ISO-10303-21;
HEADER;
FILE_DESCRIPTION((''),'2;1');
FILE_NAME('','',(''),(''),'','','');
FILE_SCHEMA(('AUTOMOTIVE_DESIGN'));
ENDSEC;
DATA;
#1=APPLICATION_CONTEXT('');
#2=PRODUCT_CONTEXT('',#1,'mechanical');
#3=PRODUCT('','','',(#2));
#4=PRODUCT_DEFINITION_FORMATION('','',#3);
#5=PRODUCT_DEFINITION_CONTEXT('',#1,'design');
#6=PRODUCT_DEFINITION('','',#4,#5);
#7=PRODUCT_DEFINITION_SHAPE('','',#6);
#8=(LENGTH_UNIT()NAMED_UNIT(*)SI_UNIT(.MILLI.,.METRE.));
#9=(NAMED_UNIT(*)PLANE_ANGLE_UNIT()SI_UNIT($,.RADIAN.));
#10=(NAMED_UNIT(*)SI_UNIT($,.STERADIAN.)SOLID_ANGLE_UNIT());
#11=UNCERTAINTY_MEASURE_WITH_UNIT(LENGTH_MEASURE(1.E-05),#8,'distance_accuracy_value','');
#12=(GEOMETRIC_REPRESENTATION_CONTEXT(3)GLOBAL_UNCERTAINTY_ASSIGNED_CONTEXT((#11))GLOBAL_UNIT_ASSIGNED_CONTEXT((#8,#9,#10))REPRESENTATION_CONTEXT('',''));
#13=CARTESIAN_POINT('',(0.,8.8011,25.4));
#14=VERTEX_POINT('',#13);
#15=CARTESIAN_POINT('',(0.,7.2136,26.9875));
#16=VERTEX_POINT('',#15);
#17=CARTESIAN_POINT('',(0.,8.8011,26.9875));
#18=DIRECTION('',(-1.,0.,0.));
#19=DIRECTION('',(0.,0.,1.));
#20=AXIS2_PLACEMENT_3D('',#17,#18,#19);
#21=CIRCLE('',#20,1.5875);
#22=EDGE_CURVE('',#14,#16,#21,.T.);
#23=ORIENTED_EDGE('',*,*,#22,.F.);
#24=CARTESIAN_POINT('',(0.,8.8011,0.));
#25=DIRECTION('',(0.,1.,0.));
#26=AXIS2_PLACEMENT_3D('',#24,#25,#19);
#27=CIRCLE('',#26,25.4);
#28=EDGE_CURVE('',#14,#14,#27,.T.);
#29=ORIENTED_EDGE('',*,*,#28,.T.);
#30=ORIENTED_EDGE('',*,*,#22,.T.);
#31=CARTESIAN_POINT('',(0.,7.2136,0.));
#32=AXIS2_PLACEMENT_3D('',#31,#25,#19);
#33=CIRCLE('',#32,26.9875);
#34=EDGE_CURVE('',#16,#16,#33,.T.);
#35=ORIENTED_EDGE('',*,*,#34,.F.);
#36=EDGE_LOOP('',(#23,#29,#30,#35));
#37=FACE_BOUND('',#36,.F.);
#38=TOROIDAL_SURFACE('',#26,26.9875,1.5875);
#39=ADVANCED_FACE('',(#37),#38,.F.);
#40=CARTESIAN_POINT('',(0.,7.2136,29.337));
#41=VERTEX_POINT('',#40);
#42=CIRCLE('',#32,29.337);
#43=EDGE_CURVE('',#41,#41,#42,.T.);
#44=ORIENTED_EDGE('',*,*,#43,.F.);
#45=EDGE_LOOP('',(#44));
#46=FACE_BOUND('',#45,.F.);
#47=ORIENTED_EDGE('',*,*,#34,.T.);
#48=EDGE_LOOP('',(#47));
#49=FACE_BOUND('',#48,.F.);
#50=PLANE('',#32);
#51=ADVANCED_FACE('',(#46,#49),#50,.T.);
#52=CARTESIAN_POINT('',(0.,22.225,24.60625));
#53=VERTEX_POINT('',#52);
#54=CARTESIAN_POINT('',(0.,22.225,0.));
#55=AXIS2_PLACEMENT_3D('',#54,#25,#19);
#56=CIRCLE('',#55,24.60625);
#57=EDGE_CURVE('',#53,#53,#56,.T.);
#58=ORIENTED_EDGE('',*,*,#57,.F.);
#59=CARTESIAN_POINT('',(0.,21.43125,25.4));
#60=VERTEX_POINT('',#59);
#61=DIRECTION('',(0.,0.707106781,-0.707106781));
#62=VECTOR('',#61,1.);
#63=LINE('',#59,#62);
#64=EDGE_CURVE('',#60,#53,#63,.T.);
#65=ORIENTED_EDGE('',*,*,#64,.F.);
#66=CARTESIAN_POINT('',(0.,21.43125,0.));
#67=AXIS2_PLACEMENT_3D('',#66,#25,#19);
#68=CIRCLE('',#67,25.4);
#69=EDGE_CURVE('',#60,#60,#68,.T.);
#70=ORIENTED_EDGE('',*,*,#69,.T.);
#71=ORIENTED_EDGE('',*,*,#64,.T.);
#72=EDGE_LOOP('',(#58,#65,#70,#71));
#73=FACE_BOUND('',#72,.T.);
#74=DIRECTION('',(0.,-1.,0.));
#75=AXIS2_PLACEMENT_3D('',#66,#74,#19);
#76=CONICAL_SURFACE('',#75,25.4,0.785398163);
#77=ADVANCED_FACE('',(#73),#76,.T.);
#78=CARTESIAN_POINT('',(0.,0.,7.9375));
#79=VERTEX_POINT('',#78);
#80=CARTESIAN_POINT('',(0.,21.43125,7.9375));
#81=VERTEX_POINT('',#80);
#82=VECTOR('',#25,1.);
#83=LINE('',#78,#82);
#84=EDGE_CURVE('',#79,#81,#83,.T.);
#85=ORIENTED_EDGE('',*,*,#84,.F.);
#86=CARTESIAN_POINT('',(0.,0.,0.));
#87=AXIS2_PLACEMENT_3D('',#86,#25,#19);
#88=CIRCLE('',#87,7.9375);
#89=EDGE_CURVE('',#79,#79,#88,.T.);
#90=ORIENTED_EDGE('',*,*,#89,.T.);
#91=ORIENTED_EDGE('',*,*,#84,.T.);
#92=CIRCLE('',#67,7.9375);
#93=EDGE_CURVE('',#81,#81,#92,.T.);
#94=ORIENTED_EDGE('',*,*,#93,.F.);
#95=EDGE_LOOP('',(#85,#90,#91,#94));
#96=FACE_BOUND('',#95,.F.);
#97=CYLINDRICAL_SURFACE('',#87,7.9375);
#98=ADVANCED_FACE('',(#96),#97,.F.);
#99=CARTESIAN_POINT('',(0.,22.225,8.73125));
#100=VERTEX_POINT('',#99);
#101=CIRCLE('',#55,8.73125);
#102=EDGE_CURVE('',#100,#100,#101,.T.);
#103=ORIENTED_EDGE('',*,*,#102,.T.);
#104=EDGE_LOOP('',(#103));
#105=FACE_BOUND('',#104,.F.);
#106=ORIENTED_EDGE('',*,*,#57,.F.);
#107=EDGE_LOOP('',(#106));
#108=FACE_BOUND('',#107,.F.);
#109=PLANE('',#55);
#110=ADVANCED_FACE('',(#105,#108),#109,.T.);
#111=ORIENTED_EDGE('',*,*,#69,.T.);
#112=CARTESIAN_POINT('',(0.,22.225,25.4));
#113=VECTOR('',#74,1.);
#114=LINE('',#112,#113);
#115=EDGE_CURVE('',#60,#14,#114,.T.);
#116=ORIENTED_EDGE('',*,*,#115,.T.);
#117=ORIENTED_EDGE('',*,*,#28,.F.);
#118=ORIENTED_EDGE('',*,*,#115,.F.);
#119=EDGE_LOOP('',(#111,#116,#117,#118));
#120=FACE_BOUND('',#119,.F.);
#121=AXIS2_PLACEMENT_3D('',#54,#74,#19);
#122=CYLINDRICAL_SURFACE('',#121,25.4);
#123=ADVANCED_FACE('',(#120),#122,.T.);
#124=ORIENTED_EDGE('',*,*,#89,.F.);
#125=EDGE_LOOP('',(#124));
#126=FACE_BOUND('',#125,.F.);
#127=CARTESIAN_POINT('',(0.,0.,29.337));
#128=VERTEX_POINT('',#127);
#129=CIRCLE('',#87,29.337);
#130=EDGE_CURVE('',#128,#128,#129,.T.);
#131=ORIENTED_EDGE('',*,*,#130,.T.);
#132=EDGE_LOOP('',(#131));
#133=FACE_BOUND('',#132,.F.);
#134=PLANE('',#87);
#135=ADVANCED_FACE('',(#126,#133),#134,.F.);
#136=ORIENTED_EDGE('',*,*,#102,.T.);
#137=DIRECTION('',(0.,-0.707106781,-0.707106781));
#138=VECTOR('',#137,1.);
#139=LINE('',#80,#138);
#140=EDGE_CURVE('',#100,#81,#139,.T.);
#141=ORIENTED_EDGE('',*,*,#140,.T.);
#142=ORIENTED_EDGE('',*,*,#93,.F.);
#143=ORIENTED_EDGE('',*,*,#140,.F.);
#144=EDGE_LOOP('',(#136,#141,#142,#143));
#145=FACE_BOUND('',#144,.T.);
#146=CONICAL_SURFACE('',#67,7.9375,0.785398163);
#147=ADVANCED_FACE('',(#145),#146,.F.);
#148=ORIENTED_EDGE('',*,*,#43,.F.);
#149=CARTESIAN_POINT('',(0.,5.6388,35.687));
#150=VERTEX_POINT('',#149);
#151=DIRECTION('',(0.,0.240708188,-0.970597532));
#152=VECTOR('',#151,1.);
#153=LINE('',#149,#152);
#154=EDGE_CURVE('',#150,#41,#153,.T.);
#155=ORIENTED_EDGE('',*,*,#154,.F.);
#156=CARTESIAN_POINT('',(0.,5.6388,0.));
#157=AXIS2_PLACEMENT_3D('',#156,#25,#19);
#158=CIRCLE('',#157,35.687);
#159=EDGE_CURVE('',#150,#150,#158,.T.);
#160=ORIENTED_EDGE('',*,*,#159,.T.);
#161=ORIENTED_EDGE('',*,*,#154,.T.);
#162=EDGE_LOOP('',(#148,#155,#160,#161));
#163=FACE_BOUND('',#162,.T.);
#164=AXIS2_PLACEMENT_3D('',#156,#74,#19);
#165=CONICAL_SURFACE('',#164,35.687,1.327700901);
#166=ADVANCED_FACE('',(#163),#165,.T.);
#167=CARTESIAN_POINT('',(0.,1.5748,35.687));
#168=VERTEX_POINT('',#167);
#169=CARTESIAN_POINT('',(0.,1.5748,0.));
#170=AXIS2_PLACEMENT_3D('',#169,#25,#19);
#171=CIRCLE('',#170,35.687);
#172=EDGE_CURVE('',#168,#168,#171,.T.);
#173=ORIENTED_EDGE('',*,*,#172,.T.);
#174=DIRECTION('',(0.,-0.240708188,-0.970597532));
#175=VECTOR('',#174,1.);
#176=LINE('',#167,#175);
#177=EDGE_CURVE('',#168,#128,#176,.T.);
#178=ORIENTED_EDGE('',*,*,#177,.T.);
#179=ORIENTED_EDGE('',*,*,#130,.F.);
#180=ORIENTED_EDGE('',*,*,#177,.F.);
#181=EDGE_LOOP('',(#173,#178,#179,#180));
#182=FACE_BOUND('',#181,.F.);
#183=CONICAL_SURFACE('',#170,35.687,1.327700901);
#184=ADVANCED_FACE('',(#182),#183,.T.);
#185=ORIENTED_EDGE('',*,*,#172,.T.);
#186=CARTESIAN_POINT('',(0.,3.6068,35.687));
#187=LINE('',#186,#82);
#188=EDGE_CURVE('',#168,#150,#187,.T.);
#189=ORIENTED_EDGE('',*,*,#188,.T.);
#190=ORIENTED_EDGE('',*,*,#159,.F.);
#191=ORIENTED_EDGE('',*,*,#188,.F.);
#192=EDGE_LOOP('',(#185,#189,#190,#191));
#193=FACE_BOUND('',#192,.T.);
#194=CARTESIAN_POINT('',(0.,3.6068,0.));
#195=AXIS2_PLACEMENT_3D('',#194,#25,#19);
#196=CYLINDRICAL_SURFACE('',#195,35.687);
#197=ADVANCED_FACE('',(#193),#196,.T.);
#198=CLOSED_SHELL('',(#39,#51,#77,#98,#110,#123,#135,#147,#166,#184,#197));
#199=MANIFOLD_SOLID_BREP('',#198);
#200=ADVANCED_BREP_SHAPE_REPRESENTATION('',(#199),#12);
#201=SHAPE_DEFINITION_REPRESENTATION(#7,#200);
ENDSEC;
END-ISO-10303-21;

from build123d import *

# Parameters (mm, degrees)
F0_W     = 15.0114
F0_H     = 17.4625
F0_W_2   = 7.2136
F0_H_2   = 10.287
F2_R     = 1.5875
F3_SIZE  = 0.79375
F4_SIZE2 = 6.35
F4_SIZE  = 1.5748


with BuildPart() as f1:
    # F0 (on Right) → F1 (revolve)
    with BuildSketch(Plane.YZ):
        with Locations((14.7193, 16.66875)):
            Rectangle(F0_W, F0_H)
        with Locations((3.6068, 16.66875)):
            Rectangle(F0_W_2, F0_H)
        with Locations((3.6068, 30.5435)):
            Rectangle(F0_W_2, F0_H_2)
    revolve(axis=Axis((0, 9.448286066, 0), (0, 1, 0)))

    # F2
    f2_edges = [f1.edges().sort_by_distance(p)[0] for p in [
        (0, 7.2136, -25.4),
    ]]
    fillet(f2_edges, radius=F2_R)

    # F3
    f3_edges = [f1.edges().sort_by_distance(p)[0] for p in [
        (0, 22.225, -7.9375),
        (0, 22.225, -25.4),
    ]]
    chamfer(f3_edges, length=F3_SIZE)

    # F4
    f4_edges = [f1.edges().sort_by_distance(p)[0] for p in [
        (0, 0, -35.687),
        (0, 7.2136, -35.687),
    ]]
    f4_side = f1.faces().sort_by_distance((0, 3.6068, -35.687))[0]
    chamfer(f4_edges, length=F4_SIZE, length2=F4_SIZE2, reference=f4_side)


solid = f1.part
